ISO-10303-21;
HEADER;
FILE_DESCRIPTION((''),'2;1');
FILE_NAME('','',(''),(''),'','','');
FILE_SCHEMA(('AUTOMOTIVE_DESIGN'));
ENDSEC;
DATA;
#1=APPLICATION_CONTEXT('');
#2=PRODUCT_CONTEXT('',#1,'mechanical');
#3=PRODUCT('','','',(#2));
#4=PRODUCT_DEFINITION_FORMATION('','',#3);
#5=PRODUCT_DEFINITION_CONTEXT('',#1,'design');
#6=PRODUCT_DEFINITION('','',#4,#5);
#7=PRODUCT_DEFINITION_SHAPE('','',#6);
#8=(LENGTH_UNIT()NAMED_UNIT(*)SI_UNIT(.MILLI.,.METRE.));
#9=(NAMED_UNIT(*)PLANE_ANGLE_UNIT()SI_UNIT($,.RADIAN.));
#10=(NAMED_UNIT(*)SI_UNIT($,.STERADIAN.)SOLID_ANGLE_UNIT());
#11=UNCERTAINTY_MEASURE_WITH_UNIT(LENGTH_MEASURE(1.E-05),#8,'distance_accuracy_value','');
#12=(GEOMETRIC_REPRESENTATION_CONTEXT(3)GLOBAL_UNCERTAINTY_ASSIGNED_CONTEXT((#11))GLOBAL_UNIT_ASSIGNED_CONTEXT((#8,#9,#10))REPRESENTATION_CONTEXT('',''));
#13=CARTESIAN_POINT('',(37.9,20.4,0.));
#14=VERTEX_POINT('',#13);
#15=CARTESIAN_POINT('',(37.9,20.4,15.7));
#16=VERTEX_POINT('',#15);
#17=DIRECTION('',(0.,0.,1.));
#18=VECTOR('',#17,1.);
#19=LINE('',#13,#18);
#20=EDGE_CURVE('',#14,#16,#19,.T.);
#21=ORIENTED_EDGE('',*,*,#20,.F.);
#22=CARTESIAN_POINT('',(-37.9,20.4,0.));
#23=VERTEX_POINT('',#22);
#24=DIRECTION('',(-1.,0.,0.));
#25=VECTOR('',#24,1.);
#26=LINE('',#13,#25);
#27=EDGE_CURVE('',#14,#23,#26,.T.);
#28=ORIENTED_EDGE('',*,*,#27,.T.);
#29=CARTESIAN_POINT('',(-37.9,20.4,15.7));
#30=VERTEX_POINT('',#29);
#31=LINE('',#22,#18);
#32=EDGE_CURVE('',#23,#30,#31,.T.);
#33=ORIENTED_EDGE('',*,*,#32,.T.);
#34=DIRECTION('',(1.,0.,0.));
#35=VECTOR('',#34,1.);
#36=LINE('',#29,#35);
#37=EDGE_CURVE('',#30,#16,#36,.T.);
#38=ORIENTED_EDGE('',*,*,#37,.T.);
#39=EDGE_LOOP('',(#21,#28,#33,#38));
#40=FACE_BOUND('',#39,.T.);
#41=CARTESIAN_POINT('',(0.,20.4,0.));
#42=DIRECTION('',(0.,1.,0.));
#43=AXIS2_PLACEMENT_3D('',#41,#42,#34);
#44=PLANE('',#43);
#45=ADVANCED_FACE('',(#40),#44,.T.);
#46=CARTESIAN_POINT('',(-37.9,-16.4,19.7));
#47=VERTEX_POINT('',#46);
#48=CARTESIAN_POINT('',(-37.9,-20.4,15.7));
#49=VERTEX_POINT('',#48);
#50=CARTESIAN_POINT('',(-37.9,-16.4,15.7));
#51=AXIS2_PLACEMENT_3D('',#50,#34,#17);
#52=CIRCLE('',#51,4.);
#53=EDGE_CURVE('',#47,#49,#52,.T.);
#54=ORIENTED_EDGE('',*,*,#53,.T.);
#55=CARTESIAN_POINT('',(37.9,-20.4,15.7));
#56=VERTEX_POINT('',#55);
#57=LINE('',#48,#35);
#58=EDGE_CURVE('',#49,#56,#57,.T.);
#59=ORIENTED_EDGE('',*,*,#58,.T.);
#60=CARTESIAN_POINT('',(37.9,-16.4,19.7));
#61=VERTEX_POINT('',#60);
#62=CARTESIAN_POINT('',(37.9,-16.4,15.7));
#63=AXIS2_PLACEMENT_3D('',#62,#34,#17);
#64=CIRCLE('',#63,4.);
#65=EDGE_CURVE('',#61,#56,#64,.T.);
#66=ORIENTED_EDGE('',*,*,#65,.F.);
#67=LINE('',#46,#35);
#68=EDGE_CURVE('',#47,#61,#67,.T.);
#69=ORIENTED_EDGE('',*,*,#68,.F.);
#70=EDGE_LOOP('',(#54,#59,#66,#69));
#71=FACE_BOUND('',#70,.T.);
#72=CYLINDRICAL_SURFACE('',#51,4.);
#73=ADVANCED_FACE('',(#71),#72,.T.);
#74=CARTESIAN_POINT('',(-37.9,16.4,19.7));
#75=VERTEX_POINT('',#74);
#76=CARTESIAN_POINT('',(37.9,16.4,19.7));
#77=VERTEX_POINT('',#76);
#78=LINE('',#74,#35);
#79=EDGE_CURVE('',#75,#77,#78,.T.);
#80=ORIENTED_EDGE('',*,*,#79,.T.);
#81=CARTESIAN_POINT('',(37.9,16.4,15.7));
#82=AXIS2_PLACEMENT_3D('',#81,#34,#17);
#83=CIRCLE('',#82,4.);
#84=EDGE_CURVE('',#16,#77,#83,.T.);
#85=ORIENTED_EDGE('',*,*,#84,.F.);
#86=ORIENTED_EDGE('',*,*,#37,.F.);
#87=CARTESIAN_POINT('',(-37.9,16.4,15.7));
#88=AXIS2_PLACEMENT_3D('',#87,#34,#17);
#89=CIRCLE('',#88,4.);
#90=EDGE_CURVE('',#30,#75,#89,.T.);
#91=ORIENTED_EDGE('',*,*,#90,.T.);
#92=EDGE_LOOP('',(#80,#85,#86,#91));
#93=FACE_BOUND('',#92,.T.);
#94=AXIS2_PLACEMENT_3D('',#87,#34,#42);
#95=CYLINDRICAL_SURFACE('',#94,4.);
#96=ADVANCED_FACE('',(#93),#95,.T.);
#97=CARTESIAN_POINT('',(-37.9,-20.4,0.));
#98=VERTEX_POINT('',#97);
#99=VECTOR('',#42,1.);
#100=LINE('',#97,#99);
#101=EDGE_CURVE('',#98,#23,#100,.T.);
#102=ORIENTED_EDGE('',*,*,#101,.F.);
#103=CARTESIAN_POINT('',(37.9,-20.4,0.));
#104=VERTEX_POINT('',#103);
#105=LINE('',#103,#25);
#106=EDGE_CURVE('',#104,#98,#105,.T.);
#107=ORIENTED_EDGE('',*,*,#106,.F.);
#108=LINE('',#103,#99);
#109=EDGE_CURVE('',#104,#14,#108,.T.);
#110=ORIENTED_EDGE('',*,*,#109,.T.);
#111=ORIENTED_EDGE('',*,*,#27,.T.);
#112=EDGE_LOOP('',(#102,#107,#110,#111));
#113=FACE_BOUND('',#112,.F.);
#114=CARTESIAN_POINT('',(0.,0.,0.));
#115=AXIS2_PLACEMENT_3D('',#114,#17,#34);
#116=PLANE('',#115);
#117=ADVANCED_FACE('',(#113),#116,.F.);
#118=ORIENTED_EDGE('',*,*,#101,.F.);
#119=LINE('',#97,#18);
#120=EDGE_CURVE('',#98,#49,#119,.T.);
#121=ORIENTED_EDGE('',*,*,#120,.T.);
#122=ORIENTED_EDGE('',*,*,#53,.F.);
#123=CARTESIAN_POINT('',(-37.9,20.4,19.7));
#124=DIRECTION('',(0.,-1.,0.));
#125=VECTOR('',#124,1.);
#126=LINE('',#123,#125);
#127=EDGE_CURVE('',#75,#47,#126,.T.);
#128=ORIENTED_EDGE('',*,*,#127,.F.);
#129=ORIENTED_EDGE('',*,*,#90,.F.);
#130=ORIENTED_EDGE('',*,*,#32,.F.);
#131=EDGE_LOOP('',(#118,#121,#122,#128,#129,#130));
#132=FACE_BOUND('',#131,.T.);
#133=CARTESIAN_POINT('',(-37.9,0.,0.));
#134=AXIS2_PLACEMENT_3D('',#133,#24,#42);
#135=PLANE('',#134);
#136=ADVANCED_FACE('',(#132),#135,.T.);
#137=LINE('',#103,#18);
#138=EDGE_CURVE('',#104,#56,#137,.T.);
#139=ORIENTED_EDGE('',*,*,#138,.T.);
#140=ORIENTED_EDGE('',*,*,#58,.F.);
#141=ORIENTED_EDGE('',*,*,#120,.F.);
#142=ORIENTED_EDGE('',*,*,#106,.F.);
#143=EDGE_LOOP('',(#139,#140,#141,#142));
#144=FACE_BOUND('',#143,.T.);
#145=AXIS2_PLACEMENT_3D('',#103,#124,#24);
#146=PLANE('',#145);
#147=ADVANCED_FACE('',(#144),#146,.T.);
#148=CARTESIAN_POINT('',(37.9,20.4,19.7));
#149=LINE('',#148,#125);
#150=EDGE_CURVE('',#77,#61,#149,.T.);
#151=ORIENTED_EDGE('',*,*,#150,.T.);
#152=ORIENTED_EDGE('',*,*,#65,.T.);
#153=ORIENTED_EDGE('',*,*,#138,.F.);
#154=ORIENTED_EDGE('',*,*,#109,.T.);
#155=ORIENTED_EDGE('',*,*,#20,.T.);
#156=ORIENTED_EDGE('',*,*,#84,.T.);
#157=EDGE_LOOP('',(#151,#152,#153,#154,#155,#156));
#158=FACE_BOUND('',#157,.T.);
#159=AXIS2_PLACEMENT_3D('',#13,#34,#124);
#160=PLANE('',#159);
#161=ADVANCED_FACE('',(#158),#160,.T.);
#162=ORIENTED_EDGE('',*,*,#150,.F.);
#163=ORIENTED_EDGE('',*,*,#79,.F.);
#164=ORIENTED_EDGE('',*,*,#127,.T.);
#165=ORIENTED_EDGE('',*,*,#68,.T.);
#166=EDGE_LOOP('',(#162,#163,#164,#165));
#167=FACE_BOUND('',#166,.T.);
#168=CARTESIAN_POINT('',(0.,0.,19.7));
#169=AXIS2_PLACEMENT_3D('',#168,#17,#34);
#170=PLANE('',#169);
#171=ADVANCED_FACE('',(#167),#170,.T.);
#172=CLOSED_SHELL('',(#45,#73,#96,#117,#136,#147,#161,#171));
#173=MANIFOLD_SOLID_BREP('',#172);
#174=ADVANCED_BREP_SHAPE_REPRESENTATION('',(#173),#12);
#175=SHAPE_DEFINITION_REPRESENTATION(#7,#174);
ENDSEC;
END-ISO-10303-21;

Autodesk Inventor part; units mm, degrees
ref_plane "YZ Plane" through (0, 0, 0) normal (1, 0, 0) x (0, 1, 0)
ref_plane "XZ Plane" through (0, 0, 0) normal (0, 1, 0) x (-1, 0, 0)
ref_plane "XY Plane" through (0, 0, 0) normal (0, 0, 1) x (1, 0, 0)
sketch "Náčrt1" plane through (0, 0, 0) normal (0, 0, 1) x (1, 0, 0)
  line L0 (0, 28.56) -> (0, -28.56) projected
  line L1 (-53.06, 0) -> (53.06, 0) projected
  line L2 (-37.9, 20.4) -> (37.9, 20.4)
  line L3 (37.9, 20.4) -> (37.9, -20.4)
  line L4 (37.9, -20.4) -> (-37.9, -20.4)
  line L5 (-37.9, -20.4) -> (-37.9, 20.4)
  point P0 (0, 0)
  dimension "d0" = 75.8
  dimension "d1" = 40.8
extrude "Vysunutí1" add sketch "Náčrt1" along normal blind 19.7
fillet "Zaoblení1" radius 4 2 edges at (0, 20.4, 19.7) (0, -20.4, 19.7)
properties part number "prop_battery"
